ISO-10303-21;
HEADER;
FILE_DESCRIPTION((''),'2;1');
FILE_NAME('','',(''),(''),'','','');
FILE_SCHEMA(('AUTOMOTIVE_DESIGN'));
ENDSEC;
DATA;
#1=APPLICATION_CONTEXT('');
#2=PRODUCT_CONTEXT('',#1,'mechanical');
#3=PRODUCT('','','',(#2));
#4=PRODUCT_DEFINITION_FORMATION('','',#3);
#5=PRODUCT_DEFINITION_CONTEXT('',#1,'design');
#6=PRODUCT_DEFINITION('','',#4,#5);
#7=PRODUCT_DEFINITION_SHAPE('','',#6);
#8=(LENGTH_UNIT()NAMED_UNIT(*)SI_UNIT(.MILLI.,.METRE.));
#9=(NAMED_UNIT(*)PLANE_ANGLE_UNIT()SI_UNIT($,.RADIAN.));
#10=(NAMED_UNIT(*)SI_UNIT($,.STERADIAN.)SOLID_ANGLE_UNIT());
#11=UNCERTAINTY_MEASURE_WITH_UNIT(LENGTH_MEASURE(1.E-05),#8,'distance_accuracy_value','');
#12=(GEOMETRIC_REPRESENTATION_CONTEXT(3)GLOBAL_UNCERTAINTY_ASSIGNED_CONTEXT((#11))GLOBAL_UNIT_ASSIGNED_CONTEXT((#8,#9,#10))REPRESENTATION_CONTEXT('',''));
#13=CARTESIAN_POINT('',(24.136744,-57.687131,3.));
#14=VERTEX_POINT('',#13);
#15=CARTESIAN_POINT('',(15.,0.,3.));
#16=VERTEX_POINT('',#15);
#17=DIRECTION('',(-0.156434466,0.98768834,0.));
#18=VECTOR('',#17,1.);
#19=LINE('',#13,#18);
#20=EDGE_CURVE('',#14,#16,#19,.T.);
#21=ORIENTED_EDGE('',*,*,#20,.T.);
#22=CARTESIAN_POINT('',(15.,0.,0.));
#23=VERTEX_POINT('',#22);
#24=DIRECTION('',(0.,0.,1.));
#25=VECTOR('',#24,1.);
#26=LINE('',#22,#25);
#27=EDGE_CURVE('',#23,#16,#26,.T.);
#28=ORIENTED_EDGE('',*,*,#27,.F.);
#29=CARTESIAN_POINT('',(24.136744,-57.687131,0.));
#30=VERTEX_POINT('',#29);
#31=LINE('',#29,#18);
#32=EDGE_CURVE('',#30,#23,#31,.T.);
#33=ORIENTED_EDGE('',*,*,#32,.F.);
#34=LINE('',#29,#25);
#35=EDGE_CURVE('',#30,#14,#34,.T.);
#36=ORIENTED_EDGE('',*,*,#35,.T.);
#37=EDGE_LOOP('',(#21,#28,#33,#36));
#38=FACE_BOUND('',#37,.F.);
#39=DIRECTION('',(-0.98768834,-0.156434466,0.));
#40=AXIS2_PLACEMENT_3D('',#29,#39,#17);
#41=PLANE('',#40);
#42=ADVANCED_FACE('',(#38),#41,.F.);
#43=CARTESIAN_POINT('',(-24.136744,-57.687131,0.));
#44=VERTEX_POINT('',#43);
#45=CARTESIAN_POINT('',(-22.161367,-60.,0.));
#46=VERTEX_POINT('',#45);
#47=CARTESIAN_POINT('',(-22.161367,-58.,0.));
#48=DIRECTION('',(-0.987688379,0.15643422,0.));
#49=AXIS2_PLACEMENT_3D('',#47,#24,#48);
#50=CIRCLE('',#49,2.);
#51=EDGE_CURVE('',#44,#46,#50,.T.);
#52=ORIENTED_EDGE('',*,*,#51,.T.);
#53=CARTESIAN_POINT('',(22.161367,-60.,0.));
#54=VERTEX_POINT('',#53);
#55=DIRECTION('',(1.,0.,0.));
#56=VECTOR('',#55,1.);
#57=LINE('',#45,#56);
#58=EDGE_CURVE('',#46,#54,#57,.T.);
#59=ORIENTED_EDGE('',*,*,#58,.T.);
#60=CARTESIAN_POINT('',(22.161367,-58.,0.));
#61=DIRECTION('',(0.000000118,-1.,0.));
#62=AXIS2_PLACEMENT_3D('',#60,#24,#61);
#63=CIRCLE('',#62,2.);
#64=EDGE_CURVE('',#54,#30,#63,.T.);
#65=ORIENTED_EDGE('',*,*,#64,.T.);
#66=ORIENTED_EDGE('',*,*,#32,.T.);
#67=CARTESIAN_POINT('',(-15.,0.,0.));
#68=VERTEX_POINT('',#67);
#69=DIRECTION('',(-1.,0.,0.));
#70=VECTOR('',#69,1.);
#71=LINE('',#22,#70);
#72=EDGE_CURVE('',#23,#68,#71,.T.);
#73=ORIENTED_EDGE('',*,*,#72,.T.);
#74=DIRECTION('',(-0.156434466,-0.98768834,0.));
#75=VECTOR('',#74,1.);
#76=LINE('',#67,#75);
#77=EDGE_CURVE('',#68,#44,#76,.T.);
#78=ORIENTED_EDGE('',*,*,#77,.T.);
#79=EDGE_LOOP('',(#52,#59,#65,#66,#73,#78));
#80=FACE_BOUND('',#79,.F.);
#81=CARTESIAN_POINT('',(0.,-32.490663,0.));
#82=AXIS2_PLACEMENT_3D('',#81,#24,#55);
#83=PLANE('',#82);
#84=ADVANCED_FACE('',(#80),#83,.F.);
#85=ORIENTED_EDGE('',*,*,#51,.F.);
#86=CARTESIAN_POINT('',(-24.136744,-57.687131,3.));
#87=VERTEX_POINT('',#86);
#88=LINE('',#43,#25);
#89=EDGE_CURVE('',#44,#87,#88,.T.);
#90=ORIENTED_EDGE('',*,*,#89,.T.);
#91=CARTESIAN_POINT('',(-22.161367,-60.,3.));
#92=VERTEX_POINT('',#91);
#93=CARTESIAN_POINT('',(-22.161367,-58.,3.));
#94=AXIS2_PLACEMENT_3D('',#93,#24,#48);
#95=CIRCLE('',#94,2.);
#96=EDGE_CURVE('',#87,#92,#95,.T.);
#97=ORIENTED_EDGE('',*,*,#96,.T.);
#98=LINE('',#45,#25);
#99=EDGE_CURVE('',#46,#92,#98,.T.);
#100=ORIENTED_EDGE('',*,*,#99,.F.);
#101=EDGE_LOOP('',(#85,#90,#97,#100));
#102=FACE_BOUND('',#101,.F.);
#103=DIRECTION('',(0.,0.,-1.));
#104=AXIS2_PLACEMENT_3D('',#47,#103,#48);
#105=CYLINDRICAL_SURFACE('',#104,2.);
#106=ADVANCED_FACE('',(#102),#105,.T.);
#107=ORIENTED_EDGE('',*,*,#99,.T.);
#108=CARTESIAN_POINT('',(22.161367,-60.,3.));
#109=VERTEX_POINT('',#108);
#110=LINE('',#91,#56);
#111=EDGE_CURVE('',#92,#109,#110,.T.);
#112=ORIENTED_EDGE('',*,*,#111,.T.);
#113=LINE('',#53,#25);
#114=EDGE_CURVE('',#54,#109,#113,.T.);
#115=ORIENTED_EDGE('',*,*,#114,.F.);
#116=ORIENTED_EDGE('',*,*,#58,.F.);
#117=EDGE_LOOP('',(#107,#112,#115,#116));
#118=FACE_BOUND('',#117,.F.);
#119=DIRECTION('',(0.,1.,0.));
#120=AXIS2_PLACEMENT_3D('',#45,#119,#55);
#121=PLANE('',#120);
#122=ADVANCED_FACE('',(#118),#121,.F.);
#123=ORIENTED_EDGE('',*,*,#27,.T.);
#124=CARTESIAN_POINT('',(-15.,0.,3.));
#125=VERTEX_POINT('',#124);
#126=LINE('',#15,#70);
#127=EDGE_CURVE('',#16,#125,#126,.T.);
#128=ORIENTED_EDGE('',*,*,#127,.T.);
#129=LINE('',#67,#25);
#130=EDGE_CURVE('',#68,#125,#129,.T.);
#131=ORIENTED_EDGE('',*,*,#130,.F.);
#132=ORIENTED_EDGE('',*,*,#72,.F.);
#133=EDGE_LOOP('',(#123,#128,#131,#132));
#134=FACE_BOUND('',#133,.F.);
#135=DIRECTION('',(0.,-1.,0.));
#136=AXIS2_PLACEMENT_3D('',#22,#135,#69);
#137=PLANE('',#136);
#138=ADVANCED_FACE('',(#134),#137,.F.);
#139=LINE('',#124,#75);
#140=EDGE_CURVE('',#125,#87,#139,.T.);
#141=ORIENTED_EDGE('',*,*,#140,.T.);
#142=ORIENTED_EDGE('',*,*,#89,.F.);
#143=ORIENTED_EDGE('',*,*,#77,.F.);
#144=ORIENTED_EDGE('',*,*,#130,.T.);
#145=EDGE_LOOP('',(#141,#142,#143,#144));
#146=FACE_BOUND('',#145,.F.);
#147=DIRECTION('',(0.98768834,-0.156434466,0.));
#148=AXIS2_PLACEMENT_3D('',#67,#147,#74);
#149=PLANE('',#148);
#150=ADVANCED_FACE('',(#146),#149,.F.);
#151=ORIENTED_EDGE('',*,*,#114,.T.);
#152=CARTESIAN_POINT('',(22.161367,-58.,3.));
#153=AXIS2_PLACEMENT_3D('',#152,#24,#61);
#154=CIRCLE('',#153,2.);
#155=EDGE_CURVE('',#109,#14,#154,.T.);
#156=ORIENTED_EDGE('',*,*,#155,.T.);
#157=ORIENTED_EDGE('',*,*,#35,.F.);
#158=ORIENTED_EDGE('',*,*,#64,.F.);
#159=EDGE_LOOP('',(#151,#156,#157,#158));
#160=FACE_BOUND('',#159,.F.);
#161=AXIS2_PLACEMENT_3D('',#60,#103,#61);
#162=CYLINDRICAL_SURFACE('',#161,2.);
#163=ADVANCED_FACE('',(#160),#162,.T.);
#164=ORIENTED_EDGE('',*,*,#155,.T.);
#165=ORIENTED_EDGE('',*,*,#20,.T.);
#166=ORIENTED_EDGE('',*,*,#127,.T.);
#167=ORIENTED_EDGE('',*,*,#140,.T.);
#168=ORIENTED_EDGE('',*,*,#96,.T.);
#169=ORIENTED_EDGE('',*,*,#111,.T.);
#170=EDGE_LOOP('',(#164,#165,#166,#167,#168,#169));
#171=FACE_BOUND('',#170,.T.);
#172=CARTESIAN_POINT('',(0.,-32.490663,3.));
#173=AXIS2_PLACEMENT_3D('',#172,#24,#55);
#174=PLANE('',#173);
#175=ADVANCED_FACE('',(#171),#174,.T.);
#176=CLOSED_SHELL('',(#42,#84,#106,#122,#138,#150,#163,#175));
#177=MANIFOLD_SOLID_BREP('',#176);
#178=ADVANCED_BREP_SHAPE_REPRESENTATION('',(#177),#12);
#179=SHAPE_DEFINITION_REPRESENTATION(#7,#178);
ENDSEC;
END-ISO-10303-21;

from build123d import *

# Parameters (mm, degrees)
F1_DEPTH = 3


with BuildPart() as f1:
    # F0 (on Top) → F1 (new body)
    with BuildSketch(Plane.XY):
        with BuildLine():
            Line((15, 0), (0, 0))
            Line((0, 0), (-15, 0))
            Line((-15, 0), (-24.136744, -57.687131))
            ThreePointArc((-24.136744, -57.687131), (-23.682179, -59.298896), (-22.161367, -60))
            Line((-22.161367, -60), (0, -60))
            Line((0, -60), (22.161367, -60))
            ThreePointArc((22.161367, -60), (23.682179, -59.298896), (24.136744, -57.687131))
            Line((24.136744, -57.687131), (15, 0))
        make_face()
    extrude(amount=F1_DEPTH)


solid = f1.part
